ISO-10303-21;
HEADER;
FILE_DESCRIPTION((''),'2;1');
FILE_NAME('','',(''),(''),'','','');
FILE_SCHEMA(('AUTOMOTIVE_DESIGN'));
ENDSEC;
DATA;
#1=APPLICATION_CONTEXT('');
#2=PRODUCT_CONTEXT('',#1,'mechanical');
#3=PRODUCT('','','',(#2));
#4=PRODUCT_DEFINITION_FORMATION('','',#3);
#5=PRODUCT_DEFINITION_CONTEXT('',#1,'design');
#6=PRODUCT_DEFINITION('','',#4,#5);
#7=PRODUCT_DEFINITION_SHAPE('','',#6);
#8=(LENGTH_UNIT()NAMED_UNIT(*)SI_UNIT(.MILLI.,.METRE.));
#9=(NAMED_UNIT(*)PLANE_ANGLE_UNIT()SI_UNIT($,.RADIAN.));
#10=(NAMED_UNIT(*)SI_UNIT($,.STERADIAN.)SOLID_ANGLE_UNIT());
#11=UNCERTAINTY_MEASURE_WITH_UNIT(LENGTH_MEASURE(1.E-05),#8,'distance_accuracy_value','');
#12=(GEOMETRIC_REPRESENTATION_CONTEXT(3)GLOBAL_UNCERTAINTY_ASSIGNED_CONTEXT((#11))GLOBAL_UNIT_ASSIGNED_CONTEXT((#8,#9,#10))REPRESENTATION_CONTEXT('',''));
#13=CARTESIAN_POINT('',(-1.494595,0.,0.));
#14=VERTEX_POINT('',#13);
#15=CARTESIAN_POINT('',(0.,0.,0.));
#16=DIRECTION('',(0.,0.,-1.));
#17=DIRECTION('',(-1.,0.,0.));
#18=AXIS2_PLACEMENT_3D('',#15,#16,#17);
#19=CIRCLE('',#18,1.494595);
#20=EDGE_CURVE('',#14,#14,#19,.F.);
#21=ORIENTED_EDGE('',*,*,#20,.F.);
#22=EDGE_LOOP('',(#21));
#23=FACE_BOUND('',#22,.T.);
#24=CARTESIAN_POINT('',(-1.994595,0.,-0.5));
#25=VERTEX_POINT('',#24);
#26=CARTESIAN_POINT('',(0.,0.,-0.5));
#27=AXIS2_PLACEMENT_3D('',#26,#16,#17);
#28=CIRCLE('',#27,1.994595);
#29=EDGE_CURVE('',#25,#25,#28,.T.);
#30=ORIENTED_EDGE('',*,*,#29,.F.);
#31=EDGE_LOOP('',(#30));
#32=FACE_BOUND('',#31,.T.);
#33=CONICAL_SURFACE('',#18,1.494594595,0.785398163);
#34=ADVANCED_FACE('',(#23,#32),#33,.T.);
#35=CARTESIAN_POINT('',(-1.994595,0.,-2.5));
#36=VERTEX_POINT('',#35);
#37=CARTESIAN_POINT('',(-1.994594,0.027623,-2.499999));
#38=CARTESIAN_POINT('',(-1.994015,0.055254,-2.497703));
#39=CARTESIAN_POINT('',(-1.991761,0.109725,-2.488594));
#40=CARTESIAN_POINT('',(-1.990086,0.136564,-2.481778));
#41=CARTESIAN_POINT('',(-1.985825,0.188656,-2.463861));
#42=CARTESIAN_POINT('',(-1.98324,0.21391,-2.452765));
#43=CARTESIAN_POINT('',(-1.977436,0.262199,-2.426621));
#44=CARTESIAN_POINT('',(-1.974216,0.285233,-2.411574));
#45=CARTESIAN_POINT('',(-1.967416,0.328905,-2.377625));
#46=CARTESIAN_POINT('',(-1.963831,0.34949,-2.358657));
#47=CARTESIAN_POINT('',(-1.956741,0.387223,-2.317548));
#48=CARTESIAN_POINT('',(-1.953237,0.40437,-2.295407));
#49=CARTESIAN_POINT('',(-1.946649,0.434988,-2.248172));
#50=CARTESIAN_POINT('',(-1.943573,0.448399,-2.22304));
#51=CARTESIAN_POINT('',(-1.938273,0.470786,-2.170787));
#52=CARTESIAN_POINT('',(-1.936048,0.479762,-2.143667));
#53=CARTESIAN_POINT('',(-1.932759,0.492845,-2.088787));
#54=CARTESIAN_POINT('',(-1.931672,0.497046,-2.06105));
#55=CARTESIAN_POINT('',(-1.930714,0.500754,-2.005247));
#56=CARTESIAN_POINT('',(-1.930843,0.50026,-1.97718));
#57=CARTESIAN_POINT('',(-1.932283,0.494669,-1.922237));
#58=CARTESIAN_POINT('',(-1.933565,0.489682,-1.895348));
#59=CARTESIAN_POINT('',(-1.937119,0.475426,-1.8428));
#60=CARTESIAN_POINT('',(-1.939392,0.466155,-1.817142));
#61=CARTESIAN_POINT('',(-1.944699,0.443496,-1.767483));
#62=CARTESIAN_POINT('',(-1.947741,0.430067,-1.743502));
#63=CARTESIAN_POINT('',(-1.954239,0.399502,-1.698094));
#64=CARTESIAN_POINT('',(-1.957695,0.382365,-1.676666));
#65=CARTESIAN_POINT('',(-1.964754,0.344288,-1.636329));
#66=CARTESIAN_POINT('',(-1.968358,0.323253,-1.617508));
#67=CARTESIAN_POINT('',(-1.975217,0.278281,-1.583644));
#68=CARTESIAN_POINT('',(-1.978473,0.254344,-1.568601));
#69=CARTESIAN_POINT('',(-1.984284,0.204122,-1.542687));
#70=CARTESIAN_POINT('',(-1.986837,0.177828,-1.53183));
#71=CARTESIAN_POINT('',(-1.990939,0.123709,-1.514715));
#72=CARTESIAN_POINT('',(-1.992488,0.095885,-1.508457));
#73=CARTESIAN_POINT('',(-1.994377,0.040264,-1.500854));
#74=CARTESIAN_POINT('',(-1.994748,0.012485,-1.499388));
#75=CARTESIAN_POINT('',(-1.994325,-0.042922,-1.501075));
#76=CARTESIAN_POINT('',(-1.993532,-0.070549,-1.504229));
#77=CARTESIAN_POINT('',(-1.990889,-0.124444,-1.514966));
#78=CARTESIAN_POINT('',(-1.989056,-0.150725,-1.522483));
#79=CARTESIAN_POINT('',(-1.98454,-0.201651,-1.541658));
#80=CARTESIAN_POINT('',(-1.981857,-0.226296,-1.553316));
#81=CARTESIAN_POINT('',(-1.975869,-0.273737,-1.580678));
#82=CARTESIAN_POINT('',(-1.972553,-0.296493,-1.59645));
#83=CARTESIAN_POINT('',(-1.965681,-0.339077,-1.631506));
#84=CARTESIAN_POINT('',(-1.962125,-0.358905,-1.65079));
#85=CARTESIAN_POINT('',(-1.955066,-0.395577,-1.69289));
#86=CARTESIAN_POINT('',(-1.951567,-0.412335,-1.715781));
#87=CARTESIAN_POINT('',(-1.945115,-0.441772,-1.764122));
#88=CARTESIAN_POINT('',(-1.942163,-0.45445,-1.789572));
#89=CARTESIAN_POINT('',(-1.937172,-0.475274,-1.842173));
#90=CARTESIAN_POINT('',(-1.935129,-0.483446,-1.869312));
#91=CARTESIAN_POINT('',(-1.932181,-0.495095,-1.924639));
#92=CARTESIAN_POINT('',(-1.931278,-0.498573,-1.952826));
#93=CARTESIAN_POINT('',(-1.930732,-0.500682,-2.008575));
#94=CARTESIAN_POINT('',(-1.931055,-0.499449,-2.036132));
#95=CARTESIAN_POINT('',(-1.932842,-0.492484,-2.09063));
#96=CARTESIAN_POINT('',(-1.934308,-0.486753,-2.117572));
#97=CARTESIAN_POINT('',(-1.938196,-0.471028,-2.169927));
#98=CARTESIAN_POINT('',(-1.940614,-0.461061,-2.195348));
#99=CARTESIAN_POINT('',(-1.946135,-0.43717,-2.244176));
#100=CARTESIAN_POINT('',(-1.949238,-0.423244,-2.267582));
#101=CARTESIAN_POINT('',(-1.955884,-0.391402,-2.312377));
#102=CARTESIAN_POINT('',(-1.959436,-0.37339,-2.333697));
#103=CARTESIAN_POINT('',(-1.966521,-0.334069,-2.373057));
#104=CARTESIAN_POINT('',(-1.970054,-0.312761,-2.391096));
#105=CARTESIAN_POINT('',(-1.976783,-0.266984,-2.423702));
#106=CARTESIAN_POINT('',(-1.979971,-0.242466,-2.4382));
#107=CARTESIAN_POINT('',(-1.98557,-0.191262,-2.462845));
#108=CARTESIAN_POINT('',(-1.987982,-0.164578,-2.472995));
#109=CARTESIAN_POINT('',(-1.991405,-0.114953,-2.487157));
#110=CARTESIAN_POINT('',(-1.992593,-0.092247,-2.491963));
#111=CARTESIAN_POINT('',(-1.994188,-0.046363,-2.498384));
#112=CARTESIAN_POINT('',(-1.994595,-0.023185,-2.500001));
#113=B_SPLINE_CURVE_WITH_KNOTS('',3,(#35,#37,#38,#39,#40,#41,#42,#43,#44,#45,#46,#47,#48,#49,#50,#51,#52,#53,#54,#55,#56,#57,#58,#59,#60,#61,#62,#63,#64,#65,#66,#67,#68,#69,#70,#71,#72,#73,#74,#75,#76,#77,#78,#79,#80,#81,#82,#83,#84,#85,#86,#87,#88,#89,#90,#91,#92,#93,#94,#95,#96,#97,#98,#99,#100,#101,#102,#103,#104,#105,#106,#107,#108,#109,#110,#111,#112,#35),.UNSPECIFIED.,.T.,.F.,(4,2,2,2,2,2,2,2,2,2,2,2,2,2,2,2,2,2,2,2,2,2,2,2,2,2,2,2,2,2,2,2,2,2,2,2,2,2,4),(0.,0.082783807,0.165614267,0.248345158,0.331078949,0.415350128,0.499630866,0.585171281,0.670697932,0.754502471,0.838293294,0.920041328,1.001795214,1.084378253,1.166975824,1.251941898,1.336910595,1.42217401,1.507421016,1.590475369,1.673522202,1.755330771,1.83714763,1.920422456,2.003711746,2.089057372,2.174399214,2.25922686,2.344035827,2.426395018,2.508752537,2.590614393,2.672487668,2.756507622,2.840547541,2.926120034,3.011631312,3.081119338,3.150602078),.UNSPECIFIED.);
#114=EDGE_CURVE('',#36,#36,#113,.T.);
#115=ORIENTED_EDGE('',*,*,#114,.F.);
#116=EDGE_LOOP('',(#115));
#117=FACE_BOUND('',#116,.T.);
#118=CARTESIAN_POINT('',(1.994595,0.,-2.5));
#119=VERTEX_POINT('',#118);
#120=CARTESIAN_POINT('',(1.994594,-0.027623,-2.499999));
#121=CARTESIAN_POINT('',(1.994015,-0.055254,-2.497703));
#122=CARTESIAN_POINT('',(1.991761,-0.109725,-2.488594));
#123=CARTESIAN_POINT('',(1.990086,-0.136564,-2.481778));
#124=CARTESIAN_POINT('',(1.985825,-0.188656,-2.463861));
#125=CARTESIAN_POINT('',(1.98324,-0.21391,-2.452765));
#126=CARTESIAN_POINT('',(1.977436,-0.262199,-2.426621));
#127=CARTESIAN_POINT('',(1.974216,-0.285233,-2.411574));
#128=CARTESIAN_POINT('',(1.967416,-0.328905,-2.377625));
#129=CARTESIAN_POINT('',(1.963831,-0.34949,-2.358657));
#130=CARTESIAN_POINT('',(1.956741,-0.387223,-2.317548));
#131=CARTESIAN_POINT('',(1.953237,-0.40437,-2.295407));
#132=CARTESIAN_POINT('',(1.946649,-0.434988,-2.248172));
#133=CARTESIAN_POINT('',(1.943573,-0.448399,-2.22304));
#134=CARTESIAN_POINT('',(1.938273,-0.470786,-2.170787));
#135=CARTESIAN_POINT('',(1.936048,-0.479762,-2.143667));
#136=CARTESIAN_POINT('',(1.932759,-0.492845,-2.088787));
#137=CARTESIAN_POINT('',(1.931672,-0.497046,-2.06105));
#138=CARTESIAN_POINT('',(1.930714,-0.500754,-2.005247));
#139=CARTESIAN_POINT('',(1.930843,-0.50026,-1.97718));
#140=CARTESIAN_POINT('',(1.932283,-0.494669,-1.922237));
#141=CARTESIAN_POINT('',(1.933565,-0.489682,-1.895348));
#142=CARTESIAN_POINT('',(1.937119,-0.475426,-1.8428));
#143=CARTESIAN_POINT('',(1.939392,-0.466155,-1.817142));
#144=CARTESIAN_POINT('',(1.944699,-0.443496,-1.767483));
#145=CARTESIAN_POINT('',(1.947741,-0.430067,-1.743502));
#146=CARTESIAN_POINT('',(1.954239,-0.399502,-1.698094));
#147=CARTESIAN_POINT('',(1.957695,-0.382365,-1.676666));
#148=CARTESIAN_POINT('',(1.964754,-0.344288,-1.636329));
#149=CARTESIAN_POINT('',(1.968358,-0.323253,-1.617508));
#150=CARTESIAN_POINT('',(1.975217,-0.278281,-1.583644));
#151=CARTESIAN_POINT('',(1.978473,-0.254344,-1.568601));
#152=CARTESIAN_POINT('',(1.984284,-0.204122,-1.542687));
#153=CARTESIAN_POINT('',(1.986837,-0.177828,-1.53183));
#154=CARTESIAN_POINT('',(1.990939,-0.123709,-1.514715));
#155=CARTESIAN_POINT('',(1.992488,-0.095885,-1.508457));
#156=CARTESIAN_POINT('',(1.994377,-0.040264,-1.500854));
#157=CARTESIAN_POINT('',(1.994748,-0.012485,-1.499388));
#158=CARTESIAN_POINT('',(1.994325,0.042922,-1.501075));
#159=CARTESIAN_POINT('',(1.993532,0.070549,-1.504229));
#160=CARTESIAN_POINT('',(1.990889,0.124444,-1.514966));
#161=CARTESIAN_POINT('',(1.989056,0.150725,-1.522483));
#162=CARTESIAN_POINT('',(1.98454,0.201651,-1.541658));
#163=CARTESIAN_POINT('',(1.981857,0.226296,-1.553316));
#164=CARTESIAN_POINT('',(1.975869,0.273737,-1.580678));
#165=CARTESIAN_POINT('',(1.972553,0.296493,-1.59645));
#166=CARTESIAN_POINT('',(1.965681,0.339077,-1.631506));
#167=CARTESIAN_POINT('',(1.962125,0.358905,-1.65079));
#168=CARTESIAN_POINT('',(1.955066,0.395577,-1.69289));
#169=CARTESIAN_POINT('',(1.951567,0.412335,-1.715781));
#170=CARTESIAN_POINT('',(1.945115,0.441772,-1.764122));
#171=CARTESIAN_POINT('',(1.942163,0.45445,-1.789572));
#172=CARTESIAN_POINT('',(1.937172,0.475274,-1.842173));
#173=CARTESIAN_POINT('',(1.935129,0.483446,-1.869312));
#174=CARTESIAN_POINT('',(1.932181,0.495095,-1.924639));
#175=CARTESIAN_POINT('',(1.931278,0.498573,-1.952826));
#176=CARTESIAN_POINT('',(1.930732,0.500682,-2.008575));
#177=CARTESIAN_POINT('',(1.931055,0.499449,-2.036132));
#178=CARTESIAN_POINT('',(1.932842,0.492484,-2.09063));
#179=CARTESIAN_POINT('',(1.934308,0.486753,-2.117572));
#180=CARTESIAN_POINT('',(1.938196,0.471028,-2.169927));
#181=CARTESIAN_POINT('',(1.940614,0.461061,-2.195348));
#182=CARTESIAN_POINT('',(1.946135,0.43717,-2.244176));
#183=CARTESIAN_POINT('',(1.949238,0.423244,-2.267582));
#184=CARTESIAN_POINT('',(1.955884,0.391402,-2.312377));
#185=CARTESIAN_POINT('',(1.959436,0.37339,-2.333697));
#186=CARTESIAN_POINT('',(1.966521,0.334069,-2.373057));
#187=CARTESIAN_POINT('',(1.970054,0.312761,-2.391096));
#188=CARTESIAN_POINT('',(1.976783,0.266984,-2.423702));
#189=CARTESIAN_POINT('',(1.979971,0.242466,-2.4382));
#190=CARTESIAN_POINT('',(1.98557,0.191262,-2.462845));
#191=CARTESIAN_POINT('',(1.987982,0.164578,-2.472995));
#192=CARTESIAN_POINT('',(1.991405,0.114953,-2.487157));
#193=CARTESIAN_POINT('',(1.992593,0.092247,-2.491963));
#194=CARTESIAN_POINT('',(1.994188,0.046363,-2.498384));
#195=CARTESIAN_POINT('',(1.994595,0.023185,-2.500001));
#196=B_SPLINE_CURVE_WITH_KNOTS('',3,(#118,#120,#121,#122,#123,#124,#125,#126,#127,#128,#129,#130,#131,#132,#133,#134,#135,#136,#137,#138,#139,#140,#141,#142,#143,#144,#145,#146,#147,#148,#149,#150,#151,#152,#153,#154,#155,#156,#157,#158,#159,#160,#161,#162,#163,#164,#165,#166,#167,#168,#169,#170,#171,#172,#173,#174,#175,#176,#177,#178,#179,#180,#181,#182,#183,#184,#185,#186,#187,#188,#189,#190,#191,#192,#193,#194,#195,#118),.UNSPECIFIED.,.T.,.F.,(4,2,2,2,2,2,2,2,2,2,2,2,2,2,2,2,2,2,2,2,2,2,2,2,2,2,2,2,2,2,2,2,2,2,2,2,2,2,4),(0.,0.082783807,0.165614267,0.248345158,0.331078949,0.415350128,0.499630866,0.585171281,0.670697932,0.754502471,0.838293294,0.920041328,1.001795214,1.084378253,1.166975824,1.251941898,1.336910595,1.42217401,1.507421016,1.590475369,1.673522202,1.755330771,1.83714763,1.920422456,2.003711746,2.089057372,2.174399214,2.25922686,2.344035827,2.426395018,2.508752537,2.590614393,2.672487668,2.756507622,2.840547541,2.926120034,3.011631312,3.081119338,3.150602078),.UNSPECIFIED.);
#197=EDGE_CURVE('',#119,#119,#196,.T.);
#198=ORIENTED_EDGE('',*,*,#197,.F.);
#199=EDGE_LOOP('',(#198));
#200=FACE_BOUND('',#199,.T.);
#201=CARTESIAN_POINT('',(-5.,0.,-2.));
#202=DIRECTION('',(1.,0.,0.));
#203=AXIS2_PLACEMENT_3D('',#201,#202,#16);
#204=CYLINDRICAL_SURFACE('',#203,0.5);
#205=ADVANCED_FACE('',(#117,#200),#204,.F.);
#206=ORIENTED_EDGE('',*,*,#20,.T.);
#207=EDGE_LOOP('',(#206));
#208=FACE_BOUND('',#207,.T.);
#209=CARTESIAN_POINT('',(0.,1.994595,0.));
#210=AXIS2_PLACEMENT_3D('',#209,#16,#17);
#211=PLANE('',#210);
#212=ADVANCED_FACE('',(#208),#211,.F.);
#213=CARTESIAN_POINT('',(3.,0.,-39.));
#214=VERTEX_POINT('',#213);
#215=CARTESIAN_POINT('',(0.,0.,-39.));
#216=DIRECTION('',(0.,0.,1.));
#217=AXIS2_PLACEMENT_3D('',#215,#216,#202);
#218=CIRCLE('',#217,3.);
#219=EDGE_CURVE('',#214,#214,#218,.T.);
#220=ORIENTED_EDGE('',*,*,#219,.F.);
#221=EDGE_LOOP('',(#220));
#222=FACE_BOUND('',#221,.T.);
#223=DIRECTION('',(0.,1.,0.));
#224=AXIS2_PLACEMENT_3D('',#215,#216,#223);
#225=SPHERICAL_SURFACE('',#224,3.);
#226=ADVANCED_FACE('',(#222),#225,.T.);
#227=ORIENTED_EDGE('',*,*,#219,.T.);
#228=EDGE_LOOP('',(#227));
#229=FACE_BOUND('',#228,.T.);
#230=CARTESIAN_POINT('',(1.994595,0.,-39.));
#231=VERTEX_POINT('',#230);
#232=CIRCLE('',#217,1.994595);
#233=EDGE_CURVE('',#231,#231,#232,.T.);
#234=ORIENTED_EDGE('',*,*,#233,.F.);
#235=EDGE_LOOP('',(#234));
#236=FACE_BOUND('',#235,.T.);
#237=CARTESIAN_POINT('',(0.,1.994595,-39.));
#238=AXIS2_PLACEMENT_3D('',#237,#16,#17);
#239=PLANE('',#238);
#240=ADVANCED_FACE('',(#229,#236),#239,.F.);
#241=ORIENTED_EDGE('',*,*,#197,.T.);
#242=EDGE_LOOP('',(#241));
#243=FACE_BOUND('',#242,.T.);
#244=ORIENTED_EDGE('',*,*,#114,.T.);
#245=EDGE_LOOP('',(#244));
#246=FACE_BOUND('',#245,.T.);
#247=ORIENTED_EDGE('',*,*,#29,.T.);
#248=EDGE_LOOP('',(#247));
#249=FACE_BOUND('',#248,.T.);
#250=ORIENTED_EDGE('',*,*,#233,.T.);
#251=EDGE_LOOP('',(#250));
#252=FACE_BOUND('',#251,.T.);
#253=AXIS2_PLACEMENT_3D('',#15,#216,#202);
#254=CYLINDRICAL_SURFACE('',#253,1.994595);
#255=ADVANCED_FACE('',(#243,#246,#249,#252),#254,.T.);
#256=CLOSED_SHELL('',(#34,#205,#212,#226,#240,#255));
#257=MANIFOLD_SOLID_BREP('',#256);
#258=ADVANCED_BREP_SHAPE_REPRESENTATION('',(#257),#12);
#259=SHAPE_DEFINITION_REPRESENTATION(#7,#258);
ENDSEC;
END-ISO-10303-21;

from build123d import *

# Parameters (mm, degrees)
SKETCH2_R          = 0.5
CUT_EXTRUDE1_DEPTH = 5
CHAMFER1_SIZE      = 0.5


with BuildPart() as part:
    # Sketch1 → Revolve1 (revolve)
    with BuildSketch(Plane(origin=(0, 0, 0), x_dir=(0, 0, -1), z_dir=(1, 0, 0)), mode=Mode.PRIVATE) as revolve1_sk:
        with BuildLine():
            Line((0, 1.994594595), (39, 1.994594595))
            Line((39, 1.994594595), (39, 3))
            ThreePointArc((39, 3), (41.121320344, 2.121320344), (42, 0))
            Line((42, 0), (0, 0))
            Line((0, 0), (0, 1.994594595))
        make_face()
    revolve(revolve1_sk.sketch.rotate(Axis((0, 0, 0), (0, 0, -1)), 90), axis=Axis((0, 0, 0), (0, 0, -1)))

    # Sketch2 → Cut-Extrude1 (cut, symmetric)
    with BuildSketch(Plane(origin=(0, 0, 0), x_dir=(0, 0, -1), z_dir=(1, 0, 0))):
        with Locations((2, 0)):
            Circle(SKETCH2_R)
    extrude(amount=CUT_EXTRUDE1_DEPTH, both=True, mode=Mode.SUBTRACT)

    # Chamfer1
    chamfer1_edges = [part.edges().sort_by_distance(p)[0] for p in [
        (-1.994594595, 0, 0),
    ]]
    chamfer(chamfer1_edges, length=CHAMFER1_SIZE)


solid = part.part
